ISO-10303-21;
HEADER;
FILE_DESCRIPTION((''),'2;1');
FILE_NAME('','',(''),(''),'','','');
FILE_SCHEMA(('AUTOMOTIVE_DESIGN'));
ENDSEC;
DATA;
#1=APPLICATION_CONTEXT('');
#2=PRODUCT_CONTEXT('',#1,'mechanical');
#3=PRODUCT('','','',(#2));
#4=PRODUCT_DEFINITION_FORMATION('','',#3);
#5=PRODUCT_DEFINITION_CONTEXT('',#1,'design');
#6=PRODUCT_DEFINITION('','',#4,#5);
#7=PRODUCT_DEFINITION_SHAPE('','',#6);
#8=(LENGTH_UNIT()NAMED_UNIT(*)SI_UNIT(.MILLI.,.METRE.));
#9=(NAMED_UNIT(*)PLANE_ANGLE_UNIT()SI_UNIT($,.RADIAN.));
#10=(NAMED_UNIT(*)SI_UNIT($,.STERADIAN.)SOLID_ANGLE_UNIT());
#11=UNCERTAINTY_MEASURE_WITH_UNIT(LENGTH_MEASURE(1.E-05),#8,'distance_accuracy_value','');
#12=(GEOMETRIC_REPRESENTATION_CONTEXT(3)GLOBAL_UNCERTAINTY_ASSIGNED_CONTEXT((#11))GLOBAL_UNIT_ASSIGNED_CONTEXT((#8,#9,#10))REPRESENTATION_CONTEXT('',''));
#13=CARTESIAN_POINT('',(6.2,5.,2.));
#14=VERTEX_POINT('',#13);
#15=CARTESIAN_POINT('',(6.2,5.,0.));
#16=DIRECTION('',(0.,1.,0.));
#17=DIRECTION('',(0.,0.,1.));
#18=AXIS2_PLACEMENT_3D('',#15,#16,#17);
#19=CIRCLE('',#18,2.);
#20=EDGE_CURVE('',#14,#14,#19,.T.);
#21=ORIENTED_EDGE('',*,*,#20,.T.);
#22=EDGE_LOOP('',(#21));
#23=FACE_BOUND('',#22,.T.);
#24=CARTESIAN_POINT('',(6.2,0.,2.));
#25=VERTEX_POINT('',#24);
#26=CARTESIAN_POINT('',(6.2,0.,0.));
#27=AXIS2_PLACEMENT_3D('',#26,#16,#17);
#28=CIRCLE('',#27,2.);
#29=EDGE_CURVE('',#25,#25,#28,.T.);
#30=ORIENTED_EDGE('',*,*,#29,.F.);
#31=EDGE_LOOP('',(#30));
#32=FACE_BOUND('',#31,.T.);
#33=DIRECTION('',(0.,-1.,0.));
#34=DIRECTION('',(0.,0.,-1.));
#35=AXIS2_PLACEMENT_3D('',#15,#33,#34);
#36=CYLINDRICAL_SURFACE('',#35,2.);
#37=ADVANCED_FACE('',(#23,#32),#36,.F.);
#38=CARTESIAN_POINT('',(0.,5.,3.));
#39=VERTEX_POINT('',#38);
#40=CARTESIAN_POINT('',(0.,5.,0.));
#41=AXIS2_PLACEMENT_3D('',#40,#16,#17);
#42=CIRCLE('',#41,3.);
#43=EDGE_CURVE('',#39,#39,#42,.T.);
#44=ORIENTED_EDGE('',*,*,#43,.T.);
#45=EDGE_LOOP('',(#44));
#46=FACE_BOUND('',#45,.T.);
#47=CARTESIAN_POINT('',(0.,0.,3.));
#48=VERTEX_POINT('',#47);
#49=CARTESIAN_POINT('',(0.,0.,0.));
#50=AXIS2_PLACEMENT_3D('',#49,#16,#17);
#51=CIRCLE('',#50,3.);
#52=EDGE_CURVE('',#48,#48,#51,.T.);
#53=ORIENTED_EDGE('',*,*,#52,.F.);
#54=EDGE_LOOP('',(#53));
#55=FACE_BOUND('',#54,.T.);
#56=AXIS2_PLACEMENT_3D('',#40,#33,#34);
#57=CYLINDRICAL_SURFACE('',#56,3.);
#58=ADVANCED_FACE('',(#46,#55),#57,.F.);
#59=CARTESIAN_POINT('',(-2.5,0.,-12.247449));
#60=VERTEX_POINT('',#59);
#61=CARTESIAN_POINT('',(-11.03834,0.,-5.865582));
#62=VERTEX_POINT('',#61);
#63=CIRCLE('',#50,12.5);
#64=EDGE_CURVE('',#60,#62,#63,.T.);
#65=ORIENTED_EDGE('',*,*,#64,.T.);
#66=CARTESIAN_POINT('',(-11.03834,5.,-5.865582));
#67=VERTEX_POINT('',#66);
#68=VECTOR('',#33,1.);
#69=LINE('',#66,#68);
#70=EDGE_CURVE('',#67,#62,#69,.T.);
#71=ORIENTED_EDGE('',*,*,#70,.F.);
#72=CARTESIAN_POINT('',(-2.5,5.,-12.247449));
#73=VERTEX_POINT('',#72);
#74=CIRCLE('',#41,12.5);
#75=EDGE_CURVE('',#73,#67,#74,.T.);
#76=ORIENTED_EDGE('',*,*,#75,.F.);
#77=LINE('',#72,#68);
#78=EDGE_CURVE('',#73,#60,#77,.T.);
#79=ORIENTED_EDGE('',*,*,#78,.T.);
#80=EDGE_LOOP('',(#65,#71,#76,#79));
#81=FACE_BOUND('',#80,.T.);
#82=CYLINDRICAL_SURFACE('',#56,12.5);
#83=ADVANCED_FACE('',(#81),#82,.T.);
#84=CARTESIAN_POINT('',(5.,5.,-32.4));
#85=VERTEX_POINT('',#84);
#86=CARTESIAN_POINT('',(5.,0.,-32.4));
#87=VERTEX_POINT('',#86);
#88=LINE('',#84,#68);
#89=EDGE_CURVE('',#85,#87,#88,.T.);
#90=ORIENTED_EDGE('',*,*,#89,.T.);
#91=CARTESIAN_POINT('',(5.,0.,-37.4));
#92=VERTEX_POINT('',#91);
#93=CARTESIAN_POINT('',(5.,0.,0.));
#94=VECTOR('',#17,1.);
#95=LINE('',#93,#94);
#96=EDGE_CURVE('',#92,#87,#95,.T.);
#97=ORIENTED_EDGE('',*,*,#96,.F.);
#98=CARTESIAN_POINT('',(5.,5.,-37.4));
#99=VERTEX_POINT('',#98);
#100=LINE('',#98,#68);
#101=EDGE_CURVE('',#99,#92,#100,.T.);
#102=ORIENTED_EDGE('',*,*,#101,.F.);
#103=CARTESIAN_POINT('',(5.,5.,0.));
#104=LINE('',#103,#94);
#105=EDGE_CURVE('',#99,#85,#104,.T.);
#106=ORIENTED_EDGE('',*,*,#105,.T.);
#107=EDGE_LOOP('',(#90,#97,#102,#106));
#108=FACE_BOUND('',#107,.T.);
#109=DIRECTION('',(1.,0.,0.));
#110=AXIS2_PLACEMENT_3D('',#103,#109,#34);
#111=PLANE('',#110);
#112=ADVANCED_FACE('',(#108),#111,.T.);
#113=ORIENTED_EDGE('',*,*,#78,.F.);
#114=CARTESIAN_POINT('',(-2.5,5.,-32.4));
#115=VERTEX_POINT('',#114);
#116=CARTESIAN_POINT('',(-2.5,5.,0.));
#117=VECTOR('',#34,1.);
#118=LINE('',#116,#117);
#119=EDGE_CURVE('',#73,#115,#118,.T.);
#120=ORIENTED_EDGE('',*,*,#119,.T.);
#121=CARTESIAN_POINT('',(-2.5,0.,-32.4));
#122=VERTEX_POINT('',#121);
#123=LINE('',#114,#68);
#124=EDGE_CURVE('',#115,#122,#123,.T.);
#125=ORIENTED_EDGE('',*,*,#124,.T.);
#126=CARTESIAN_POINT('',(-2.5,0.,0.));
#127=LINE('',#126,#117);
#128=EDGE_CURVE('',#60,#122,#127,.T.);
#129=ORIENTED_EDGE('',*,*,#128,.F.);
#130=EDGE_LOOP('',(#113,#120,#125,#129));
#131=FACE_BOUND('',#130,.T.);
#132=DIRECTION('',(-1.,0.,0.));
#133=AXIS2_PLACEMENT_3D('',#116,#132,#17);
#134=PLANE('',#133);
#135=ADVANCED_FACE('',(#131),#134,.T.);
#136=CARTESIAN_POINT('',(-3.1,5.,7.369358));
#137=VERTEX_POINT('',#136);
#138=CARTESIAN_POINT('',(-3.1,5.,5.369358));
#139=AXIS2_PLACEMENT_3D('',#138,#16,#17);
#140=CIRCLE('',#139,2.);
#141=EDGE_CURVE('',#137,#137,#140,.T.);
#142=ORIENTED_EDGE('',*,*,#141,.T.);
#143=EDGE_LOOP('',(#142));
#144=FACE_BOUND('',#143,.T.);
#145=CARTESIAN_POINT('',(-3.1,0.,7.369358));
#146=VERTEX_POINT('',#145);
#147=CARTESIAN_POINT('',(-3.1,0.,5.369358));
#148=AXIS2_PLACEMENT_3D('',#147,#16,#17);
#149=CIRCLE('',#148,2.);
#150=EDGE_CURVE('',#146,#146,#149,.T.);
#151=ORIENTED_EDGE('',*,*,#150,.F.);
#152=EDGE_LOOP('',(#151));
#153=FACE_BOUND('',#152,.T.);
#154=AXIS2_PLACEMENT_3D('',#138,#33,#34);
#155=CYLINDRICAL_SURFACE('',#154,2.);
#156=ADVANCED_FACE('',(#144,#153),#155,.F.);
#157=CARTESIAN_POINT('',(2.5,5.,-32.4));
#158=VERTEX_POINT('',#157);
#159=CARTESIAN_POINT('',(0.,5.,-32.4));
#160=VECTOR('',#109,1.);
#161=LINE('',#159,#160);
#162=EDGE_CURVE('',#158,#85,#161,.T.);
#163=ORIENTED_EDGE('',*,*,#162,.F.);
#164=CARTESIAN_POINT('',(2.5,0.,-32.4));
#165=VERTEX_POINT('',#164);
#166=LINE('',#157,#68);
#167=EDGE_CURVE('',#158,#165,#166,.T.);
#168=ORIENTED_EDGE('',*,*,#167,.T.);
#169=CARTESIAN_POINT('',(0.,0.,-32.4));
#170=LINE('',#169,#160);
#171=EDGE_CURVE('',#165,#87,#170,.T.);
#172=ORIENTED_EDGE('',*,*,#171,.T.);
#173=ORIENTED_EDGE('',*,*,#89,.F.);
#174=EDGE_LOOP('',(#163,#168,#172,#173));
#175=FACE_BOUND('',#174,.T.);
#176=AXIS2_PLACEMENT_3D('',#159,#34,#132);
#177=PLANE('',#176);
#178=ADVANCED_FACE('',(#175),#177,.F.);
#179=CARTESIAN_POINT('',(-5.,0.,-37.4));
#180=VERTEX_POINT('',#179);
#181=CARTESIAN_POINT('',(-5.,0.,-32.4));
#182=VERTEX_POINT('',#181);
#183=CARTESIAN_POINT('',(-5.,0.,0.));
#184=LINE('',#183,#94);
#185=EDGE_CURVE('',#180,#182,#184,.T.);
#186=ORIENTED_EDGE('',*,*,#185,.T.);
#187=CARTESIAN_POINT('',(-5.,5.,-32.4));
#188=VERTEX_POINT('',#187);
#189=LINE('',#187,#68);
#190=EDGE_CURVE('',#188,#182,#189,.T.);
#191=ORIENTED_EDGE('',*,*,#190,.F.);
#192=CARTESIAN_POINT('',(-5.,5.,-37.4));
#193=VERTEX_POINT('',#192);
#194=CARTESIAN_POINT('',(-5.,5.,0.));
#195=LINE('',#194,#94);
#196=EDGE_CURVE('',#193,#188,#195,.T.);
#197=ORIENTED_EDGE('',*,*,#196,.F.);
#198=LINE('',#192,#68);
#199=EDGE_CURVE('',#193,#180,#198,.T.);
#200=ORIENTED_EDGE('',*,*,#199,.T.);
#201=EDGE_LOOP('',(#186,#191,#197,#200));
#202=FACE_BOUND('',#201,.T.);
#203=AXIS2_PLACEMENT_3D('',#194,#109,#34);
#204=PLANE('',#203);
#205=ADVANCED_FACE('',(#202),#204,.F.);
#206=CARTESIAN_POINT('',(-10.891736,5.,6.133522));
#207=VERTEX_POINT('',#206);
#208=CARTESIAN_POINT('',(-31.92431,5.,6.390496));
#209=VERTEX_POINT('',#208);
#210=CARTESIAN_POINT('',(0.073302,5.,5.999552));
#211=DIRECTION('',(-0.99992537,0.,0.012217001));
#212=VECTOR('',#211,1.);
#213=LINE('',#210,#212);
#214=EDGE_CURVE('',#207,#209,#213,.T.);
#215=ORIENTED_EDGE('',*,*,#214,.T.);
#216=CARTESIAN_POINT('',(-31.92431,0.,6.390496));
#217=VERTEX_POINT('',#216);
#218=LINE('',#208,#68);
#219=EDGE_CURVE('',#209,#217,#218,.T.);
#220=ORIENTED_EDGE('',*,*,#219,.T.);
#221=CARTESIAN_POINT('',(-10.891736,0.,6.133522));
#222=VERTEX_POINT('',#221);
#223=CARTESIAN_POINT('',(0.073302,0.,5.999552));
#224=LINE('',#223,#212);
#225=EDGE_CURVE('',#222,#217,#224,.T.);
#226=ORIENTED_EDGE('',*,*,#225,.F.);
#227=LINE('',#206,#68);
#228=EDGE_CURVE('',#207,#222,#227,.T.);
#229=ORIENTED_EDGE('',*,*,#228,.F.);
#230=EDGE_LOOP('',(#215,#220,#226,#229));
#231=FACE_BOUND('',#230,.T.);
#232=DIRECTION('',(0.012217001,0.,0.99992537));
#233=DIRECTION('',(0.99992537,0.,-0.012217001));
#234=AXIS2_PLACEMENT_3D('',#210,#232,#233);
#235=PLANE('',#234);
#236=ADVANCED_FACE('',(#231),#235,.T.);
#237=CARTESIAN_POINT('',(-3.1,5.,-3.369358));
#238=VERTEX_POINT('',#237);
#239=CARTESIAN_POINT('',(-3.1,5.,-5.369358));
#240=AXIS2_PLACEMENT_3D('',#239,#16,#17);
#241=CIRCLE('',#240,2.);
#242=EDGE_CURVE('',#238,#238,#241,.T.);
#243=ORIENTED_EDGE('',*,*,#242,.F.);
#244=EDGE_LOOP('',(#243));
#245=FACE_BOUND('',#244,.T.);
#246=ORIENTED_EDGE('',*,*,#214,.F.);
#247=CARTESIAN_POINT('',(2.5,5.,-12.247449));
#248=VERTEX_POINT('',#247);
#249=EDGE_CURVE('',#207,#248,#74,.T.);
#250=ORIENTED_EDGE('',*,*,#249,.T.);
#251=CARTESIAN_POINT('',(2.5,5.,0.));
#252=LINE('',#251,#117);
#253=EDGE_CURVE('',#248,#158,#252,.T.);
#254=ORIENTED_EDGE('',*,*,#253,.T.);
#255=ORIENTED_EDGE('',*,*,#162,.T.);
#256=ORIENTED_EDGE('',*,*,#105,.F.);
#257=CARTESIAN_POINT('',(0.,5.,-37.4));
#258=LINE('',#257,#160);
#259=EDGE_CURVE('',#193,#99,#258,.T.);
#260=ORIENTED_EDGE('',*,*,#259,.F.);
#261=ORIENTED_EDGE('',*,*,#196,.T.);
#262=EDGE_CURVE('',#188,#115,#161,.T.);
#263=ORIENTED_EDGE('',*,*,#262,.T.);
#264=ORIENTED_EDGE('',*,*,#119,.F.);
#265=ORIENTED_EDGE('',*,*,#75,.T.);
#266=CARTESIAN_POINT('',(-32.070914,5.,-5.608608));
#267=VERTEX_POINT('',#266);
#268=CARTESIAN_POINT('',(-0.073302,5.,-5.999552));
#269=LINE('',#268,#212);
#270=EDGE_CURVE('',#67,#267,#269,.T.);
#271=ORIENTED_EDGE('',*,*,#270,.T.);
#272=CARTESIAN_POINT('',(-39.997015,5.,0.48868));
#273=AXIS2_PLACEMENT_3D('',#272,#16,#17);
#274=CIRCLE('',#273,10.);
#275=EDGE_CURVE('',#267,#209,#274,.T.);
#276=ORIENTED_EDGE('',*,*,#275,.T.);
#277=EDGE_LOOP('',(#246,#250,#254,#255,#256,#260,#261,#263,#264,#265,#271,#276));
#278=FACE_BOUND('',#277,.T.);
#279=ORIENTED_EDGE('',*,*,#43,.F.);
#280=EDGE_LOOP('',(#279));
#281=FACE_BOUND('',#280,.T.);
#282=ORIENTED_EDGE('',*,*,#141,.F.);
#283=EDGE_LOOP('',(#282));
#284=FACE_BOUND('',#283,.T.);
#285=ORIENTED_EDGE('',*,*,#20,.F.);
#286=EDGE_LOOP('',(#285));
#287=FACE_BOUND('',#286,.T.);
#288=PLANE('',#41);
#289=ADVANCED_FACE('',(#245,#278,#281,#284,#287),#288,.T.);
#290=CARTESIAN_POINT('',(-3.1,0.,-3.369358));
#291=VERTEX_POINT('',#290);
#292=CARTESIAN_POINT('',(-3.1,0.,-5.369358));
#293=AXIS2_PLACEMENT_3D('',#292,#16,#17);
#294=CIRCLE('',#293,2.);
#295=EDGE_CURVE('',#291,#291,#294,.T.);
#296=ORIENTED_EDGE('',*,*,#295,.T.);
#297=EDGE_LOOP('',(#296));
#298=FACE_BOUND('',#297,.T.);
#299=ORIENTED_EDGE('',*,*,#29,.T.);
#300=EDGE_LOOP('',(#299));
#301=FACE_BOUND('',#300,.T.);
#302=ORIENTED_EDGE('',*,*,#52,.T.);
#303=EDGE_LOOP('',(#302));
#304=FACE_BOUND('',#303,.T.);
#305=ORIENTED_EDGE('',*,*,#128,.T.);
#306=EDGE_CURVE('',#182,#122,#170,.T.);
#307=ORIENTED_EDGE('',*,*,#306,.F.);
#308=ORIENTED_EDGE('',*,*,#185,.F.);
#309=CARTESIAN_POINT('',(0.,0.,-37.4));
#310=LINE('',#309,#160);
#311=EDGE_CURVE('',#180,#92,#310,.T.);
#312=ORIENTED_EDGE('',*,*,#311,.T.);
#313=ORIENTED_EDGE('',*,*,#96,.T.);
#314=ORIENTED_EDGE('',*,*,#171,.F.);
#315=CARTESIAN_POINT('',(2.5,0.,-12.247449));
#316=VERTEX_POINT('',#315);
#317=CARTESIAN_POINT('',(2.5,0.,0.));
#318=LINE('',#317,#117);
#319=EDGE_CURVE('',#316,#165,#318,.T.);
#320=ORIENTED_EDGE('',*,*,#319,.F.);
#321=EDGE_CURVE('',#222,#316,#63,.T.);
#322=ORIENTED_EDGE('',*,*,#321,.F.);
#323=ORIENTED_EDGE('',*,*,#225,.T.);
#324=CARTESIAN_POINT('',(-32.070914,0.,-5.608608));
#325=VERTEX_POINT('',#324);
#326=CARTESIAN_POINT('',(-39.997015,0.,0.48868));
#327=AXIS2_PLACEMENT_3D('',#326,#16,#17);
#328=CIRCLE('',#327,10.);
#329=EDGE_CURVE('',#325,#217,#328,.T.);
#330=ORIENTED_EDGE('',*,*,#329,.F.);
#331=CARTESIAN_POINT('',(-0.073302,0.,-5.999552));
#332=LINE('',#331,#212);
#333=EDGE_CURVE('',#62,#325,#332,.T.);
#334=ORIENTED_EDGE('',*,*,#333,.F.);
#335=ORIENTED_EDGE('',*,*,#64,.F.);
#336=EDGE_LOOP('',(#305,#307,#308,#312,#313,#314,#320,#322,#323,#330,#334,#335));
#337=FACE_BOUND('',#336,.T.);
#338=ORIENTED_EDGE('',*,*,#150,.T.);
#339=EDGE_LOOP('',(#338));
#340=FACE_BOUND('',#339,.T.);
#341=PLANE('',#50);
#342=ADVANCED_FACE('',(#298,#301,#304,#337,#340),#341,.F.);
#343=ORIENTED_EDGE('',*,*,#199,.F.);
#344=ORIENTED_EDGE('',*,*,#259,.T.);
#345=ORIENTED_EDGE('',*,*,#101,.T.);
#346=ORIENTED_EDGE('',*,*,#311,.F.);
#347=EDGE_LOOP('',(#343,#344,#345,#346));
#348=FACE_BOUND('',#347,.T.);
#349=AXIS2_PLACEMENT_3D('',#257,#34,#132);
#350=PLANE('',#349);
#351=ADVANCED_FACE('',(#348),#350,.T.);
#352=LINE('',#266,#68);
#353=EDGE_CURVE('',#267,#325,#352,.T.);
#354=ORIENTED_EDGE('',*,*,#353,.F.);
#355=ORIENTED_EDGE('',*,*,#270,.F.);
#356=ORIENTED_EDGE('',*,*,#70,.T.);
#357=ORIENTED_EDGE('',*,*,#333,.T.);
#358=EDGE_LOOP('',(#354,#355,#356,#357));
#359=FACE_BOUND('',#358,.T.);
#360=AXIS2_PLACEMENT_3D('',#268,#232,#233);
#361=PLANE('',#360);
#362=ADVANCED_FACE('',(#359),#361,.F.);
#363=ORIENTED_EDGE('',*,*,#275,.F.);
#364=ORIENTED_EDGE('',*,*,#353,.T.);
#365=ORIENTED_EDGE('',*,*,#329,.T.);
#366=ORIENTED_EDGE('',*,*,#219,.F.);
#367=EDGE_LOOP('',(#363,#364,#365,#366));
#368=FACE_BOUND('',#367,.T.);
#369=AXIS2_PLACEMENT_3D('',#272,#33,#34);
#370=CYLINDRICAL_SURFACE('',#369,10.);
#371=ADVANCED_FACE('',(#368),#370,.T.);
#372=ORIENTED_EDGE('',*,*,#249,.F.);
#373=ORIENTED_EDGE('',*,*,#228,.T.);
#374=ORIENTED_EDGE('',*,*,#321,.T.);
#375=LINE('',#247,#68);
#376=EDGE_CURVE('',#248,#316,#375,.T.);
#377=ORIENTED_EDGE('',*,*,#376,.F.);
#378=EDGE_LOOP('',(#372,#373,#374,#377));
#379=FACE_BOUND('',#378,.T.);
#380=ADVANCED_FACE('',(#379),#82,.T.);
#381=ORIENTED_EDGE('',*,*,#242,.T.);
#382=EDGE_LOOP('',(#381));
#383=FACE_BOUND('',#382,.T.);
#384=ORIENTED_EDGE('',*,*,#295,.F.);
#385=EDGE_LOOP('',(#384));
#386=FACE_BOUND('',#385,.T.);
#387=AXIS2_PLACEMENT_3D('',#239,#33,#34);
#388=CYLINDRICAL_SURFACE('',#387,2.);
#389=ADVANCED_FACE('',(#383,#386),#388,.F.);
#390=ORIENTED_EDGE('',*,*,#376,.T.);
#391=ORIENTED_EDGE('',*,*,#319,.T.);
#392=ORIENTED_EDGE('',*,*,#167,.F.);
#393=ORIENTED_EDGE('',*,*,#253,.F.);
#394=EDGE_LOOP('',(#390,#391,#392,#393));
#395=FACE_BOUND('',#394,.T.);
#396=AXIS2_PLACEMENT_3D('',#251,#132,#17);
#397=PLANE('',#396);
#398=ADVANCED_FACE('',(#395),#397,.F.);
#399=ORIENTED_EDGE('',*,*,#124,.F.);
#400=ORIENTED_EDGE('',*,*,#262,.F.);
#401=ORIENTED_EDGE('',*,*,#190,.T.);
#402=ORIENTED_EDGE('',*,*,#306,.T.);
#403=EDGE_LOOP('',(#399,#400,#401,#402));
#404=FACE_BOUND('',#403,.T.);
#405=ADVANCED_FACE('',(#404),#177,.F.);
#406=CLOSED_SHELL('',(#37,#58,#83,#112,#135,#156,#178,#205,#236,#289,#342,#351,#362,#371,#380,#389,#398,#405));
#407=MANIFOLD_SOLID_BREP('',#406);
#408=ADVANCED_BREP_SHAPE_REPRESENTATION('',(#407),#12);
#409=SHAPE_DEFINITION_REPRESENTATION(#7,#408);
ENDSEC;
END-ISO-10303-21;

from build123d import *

# Parameters (mm, degrees)
SKETCH1_R           = 2
SKETCH1_R_2         = 3
BOSS_EXTRUDE1_DEPTH = 5


with BuildPart() as part:
    # Sketch1 → Boss-Extrude1 (new body)
    with BuildSketch(Plane(origin=(0, 0, 0), x_dir=(1, 0, 0), z_dir=(0, 1, 0))):
        with BuildLine():
            Line((-31.924309824, -6.390496245), (-10.891735709, -6.133522091))
            ThreePointArc((-10.891735709, -6.133522091), (10.102986142, -7.36068414), (2.5, 12.247448714))
            Line((2.5, 12.247448714), (2.5, 32.4))
            Line((2.5, 32.4), (5, 32.4))
            Line((5, 32.4), (5, 37.4))
            Line((5, 37.4), (-5, 37.4))
            Line((-5, 37.4), (-5, 32.4))
            Line((-5, 32.4), (-2.5, 32.4))
            Line((-2.5, 32.4), (-2.5, 12.247448714))
            ThreePointArc((-2.5, 12.247448714), (-7.483563, 10.012306668), (-11.038339719, 5.865582345))
            Line((-11.038339719, 5.865582345), (-32.070913834, 5.608608191))
            ThreePointArc((-32.070913834, 5.608608191), (-49.996268483, -0.610850042), (-31.924309824, -6.390496245))
        make_face()
        with Locations((6.2, 0)):
            Circle(SKETCH1_R, mode=Mode.SUBTRACT)
        with Locations((-3.1, -5.369357503)):
            Circle(SKETCH1_R, mode=Mode.SUBTRACT)
        Circle(SKETCH1_R_2, mode=Mode.SUBTRACT)
        with Locations((-3.1, 5.369357503)):
            Circle(SKETCH1_R, mode=Mode.SUBTRACT)
    extrude(amount=BOSS_EXTRUDE1_DEPTH)


solid = part.part
